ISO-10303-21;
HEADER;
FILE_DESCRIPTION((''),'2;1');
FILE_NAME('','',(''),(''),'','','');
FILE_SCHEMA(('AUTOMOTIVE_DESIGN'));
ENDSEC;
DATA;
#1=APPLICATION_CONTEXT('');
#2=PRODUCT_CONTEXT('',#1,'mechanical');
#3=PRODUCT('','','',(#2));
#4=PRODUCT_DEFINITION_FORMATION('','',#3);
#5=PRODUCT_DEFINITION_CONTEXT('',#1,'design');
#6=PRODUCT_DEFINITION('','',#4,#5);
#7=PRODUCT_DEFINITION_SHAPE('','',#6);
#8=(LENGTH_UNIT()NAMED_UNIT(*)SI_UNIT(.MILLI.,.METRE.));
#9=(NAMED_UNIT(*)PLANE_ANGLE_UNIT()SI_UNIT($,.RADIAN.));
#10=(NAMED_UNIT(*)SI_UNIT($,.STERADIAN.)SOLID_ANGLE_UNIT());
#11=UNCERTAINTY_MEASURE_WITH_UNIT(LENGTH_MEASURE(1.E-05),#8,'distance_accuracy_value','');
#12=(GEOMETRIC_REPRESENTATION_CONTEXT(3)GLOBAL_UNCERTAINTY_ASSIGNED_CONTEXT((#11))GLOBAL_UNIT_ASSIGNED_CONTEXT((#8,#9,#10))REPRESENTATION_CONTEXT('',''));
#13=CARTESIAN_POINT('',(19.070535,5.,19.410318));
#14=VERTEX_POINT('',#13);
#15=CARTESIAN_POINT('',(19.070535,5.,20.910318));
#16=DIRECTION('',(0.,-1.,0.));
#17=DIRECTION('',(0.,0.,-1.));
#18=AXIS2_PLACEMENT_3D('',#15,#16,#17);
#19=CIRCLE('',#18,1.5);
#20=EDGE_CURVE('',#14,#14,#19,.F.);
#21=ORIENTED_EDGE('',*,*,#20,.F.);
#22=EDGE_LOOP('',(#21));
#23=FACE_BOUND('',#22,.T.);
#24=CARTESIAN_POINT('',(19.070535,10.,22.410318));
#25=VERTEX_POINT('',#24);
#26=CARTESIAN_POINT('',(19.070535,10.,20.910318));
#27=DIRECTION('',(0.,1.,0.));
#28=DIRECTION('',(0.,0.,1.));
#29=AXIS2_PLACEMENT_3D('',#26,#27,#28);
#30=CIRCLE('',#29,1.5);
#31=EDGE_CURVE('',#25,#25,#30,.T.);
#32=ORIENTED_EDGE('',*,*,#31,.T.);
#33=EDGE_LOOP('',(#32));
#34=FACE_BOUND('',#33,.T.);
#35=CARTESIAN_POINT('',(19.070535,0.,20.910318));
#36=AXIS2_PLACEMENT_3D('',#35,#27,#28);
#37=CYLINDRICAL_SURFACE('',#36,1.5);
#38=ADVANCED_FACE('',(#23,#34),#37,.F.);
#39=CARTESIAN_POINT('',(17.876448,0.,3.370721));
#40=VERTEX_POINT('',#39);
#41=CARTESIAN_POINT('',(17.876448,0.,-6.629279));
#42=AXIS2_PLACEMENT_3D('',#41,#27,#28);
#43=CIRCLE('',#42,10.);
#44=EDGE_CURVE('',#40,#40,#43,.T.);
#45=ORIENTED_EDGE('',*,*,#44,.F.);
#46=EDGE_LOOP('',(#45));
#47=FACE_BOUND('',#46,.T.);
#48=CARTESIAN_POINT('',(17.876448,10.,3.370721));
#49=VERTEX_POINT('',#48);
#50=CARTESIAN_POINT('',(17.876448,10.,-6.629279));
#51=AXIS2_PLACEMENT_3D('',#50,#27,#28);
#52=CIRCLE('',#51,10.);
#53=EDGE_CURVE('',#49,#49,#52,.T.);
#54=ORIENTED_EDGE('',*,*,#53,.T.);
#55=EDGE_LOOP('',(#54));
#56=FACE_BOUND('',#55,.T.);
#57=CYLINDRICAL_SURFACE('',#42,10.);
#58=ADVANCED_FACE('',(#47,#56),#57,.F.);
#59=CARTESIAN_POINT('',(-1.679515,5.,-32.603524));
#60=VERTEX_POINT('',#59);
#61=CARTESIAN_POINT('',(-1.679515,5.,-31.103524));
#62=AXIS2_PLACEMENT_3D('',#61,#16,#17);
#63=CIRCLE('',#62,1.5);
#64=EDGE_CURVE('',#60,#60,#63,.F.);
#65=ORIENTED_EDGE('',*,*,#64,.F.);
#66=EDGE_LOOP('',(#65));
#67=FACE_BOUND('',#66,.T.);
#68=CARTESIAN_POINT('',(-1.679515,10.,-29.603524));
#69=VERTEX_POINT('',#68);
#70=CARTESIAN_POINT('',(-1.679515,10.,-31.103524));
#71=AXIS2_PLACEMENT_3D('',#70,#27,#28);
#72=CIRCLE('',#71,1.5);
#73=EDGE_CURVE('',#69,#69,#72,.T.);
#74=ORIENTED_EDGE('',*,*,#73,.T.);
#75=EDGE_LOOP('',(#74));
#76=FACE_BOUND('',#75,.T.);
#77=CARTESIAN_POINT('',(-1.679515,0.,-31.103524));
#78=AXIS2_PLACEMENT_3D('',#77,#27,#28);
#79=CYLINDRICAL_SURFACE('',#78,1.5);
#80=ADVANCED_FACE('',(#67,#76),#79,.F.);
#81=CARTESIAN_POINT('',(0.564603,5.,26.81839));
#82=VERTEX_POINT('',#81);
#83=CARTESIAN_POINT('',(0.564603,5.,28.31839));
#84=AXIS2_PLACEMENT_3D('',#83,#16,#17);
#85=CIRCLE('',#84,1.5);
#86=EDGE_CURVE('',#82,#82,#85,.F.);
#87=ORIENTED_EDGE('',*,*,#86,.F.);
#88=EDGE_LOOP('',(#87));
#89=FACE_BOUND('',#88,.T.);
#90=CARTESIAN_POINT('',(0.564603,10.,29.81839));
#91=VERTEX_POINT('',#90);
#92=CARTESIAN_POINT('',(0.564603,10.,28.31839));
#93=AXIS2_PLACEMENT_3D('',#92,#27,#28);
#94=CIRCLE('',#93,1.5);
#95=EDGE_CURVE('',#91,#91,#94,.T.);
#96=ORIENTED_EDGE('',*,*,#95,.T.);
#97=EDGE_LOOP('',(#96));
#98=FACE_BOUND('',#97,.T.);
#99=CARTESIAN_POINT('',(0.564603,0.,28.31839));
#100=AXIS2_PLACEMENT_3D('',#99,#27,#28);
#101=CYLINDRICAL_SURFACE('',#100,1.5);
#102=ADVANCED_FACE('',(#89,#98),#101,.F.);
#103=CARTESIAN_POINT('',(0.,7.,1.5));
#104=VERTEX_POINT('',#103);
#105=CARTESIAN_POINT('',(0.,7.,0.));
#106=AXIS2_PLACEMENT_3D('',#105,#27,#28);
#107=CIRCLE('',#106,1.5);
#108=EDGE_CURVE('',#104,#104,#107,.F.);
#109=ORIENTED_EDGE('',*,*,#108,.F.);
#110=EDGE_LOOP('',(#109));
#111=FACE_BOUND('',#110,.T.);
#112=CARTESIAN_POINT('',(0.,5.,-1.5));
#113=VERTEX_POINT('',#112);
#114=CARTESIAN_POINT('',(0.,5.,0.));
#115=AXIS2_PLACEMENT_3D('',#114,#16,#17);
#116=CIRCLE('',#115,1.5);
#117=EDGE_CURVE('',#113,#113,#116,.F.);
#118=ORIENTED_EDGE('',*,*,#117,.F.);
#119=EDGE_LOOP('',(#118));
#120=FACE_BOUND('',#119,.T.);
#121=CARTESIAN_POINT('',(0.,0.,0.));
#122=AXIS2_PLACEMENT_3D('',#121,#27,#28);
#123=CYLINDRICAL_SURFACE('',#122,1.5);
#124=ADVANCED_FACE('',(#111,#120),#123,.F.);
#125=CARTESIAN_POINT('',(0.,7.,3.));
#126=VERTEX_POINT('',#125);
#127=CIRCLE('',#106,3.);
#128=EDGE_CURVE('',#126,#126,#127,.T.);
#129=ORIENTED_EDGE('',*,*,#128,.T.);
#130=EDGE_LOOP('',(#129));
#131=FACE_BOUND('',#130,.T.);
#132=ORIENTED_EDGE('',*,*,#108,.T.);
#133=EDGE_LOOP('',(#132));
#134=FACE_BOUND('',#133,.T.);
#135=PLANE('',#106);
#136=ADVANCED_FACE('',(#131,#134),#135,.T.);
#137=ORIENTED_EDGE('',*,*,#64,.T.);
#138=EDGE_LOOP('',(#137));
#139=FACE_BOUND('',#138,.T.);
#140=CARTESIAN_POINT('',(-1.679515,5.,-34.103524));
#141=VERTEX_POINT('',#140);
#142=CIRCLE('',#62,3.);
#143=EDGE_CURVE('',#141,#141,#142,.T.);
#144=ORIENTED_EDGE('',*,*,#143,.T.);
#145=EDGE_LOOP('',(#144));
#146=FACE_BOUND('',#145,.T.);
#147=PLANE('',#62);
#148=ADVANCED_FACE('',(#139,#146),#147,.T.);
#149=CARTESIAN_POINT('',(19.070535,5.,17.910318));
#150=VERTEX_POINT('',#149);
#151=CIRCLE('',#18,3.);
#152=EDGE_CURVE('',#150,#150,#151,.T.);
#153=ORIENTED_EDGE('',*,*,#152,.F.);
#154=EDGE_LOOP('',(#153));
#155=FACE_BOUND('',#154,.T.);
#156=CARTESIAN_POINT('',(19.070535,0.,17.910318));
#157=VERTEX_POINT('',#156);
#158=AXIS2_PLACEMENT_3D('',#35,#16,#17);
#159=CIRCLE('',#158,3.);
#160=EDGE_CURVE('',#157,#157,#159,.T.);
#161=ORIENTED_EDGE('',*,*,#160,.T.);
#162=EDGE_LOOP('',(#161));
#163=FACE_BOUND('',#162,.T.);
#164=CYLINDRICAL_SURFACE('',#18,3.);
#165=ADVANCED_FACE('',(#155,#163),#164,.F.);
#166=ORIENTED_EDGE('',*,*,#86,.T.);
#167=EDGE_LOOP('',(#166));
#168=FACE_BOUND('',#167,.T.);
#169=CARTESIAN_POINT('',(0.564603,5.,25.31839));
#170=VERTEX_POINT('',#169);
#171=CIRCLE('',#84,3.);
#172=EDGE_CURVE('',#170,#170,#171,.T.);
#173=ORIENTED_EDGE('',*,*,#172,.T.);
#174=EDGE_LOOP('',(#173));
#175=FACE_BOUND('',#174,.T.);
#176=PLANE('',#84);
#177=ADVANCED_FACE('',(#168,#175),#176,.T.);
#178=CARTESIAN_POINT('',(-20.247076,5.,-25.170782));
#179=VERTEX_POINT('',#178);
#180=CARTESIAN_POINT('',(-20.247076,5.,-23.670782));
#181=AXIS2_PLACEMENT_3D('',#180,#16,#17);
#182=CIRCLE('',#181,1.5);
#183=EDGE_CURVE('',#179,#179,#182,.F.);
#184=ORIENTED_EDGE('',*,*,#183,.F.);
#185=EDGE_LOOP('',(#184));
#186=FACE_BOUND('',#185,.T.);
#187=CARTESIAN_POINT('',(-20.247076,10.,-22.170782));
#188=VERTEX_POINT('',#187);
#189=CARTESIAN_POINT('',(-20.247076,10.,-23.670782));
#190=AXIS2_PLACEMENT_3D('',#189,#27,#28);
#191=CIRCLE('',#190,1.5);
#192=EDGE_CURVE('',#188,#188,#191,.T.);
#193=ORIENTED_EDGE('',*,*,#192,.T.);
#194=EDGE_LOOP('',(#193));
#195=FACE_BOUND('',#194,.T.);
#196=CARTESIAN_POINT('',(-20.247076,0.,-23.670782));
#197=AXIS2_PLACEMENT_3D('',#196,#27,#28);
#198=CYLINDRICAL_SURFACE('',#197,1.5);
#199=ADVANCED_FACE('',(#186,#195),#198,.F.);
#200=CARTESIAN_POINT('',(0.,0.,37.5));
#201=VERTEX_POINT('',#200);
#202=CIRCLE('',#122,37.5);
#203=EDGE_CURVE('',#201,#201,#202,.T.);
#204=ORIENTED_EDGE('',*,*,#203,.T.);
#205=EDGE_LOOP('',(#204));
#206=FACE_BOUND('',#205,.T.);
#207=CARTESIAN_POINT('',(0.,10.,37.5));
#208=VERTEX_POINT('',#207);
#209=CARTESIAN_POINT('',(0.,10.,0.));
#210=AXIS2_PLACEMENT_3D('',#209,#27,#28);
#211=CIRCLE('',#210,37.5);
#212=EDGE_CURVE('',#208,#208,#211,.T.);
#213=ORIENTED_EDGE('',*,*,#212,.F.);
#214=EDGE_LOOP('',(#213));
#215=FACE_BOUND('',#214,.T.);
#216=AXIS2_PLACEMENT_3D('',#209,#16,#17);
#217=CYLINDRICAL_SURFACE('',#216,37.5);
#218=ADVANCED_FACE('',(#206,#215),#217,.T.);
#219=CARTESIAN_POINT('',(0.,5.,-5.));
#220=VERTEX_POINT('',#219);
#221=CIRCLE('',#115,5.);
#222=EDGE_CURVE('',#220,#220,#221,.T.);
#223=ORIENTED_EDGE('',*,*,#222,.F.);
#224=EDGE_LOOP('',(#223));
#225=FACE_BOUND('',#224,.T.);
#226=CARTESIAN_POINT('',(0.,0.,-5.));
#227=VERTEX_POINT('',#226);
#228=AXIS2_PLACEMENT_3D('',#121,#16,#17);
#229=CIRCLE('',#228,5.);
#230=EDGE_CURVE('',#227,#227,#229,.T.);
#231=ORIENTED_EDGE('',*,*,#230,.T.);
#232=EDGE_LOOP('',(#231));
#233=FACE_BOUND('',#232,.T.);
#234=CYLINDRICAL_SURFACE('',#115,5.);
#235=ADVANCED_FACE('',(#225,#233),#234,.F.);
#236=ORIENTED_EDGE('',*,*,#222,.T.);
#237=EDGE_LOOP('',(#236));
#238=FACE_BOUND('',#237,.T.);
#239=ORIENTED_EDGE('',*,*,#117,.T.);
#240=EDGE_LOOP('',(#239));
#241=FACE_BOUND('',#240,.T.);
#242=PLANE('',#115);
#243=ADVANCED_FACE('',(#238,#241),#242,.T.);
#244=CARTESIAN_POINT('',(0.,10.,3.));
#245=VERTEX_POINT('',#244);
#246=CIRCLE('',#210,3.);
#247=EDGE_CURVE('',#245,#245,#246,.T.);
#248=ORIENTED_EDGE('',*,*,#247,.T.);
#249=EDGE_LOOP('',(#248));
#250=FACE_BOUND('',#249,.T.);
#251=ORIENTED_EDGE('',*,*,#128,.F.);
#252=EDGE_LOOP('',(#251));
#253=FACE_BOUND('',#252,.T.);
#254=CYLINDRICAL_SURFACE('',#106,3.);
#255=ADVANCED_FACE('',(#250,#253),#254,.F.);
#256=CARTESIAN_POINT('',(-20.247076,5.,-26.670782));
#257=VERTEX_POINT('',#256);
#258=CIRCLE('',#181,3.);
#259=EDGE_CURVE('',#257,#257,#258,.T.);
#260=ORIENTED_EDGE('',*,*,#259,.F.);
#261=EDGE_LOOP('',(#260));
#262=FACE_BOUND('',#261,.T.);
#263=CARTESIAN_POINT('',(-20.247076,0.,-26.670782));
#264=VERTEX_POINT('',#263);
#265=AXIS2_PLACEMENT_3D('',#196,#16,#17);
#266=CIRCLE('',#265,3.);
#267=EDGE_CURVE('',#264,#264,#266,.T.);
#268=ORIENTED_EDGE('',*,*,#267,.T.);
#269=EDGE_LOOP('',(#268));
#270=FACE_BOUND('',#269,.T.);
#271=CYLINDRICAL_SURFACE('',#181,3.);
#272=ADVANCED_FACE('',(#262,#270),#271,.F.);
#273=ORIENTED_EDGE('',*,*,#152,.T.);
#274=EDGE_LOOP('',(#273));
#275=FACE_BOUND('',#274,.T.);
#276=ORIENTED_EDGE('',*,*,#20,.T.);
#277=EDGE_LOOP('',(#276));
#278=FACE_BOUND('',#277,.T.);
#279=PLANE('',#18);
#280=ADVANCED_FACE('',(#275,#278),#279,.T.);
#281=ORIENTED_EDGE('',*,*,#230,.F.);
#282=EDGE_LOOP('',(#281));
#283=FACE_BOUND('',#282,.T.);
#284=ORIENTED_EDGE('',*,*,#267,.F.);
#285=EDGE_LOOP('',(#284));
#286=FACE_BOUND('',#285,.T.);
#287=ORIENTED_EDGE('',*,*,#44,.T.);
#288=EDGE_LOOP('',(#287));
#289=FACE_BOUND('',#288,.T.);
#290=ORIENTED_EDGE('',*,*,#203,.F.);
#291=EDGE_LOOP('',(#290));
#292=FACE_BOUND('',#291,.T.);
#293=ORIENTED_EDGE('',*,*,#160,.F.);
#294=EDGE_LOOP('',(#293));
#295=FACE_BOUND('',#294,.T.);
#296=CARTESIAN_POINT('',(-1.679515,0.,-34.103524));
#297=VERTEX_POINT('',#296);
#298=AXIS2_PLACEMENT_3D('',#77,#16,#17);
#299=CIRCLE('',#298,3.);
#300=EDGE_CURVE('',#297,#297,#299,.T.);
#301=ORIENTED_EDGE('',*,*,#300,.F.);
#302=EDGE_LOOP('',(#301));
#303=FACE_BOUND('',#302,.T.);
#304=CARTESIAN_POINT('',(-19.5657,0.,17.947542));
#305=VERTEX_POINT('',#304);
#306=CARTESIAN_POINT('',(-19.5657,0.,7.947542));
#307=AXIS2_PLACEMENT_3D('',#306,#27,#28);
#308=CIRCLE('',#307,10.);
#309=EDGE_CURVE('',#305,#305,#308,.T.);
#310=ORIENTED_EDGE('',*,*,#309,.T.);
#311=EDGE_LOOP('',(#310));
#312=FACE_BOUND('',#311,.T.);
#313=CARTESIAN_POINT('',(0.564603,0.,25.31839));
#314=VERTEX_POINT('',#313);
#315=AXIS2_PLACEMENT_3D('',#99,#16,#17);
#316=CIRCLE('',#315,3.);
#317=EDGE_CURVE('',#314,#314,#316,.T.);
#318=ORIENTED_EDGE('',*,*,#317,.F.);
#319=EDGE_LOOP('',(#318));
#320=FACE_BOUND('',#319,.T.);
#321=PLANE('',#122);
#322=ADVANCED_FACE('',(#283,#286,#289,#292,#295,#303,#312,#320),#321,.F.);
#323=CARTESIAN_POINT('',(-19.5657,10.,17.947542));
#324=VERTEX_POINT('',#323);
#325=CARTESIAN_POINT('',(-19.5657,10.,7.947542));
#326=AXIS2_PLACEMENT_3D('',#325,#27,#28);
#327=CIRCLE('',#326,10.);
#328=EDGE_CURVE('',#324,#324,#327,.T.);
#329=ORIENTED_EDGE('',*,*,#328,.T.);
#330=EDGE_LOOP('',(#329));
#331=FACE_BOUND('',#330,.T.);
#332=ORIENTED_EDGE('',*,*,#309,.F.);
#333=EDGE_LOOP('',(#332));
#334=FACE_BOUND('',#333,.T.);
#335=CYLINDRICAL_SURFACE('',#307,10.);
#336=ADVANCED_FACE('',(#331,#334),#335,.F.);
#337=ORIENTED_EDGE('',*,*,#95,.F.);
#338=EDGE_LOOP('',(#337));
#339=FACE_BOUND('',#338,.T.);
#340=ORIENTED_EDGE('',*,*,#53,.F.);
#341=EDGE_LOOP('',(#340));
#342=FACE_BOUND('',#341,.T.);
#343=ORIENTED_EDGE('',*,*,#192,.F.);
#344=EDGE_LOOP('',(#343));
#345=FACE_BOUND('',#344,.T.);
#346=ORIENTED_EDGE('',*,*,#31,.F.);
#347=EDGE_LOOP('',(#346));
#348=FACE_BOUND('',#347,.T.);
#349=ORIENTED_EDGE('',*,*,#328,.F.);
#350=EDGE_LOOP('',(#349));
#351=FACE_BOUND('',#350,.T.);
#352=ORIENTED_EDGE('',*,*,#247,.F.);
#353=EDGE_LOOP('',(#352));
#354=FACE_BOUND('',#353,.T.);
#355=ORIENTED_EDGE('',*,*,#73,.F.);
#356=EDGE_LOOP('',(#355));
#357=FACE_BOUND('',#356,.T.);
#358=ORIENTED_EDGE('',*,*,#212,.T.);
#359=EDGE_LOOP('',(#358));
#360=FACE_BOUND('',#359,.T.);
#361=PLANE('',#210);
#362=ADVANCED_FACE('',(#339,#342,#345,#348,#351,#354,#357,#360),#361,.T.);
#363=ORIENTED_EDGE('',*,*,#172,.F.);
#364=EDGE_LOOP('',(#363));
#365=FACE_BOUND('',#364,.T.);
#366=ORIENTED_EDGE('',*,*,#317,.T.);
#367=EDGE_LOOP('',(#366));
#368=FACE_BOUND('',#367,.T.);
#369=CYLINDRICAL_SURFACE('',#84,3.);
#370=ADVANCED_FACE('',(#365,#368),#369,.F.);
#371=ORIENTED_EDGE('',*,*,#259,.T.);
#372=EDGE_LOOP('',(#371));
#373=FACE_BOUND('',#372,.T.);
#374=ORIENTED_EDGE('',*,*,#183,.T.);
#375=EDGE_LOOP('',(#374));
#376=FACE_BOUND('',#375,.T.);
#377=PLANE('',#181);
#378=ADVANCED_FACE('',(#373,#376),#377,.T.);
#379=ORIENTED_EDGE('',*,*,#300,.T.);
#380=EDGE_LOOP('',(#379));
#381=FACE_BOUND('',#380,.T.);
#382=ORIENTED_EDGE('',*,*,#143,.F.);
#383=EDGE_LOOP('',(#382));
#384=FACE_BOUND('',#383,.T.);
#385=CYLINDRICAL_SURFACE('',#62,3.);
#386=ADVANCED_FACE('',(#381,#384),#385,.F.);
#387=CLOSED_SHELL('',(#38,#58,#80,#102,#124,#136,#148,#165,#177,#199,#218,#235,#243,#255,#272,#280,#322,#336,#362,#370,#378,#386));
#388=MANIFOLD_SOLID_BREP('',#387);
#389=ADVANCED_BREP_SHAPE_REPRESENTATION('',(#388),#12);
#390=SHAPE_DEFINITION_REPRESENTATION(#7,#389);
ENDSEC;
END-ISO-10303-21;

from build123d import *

# Parameters (mm, degrees)
SKETCH1_R           = 37.5
BOSS_EXTRUDE1_DEPTH = 10
SKETCH3_R           = 1.5
CUT_EXTRUDE3_DEPTH  = 54.967582862
SKETCH4_R           = 5
CUT_EXTRUDE4_DEPTH  = 5
SKETCH5_R           = 1.5
CUT_EXTRUDE5_DEPTH  = 54.967582862
SKETCH6_R           = 3
CUT_EXTRUDE6_DEPTH  = 5
SKETCH8_R           = 3
CUT_EXTRUDE7_DEPTH  = 3
SKETCH9_R           = 10
CUT_EXTRUDE8_DEPTH  = 54.967582862


with BuildPart() as part:
    # Sketch1 → Boss-Extrude1 (new body)
    with BuildSketch(Plane(origin=(0, 0, 0), x_dir=(1, 0, 0), z_dir=(0, 1, 0))):
        with Locations(Location((0, 0, 0), (0, 0, 270))):
            Circle(SKETCH1_R)
    extrude(amount=BOSS_EXTRUDE1_DEPTH)

    # Sketch3 → Cut-Extrude3 (cut, through all)
    with BuildSketch(Plane(origin=(0, 10, 0), x_dir=(1, 0, 0), z_dir=(0, 1, 0))):
        with Locations(Location((0, 0, 0), (0, 0, 270))):
            Circle(SKETCH3_R)
    extrude(amount=-CUT_EXTRUDE3_DEPTH, mode=Mode.SUBTRACT)

    # Sketch4 → Cut-Extrude4 (cut)
    with BuildSketch(Plane.XZ):
        with Locations(Location((0, 0, 0), (0, 0, 270))):
            Circle(SKETCH4_R)
    extrude(amount=-CUT_EXTRUDE4_DEPTH, mode=Mode.SUBTRACT)

    # Sketch5 → Cut-Extrude5 (cut, through all)
    with BuildSketch(Plane(origin=(0, 10, 0), x_dir=(1, 0, 0), z_dir=(0, 1, 0))):
        with BuildLine():
            ThreePointArc((-18.854509148, 24.228237343), (-21.625950603, 24.261294568), (-19.689620544, 22.278214534))
            Line((-19.689620544, 22.278214534), (-20.247076251, 23.670781637))
            Line((-20.247076251, 23.670781637), (-18.854509148, 24.228237343))
        make_face()
        with BuildLine():
            Line((-20.247076251, 23.670781637), (-19.689620544, 22.278214534))
            ThreePointArc((-19.689620544, 22.278214534), (-19.004863797, 22.830003295), (-18.747076251, 23.670781637))
            ThreePointArc((-18.747076251, 23.670781637), (-18.774179334, 23.954638419), (-18.854509148, 24.228237343))
            Line((-18.854509148, 24.228237343), (-20.247076251, 23.670781637))
        make_face()
        with BuildLine():
            ThreePointArc((-3.072081987, 30.546068688), (-2.270027815, 29.724650042), (-1.122059178, 29.710957292))
            Line((-1.122059178, 29.710957292), (-1.679514884, 31.103524394))
            Line((-1.679514884, 31.103524394), (-3.072081987, 30.546068688))
        make_face()
        with BuildLine():
            Line((-1.679514884, 31.103524394), (-1.122059178, 29.710957292))
            ThreePointArc((-1.122059178, 29.710957292), (-0.437302431, 30.262746053), (-0.179514884, 31.103524394))
            ThreePointArc((-0.179514884, 31.103524394), (-1.963371667, 32.576421311), (-3.072081987, 30.546068688))
            Line((-3.072081987, 30.546068688), (-1.679514884, 31.103524394))
        make_face()
        with Locations(Location((19.070534713, -20.910318461, 0), (0, 0, 270))):
            Circle(SKETCH5_R)
        with Locations(Location((0.564603471, -28.318390189, 0), (0, 0, 270))):
            Circle(SKETCH5_R)
    extrude(amount=-CUT_EXTRUDE5_DEPTH, mode=Mode.SUBTRACT)

    # Sketch6 → Cut-Extrude6 (cut)
    with BuildSketch(Plane.XZ):
        with Locations(Location((19.070534713, 20.910318461, 0), (0, 0, 270))):
            Circle(SKETCH6_R)
        with Locations(Location((0.564603471, 28.318390189, 0), (0, 0, 270))):
            Circle(SKETCH6_R)
        with Locations(Location((-1.679514884, -31.103524394, 0), (0, 0, 270))):
            Circle(SKETCH6_R)
        with Locations(Location((-20.247076251, -23.670781637, 0), (0, 0, 270))):
            Circle(SKETCH6_R)
    extrude(amount=-CUT_EXTRUDE6_DEPTH, mode=Mode.SUBTRACT)

    # Sketch8 → Cut-Extrude7 (cut)
    with BuildSketch(Plane(origin=(0, 10, 0), x_dir=(1, 0, 0), z_dir=(0, 1, 0))):
        with Locations(Location((0, 0, 0), (0, 0, 270))):
            Circle(SKETCH8_R)
    extrude(amount=-CUT_EXTRUDE7_DEPTH, mode=Mode.SUBTRACT)

    # Sketch9 → Cut-Extrude8 (cut, through all)
    with BuildSketch(Plane(origin=(0, 10, 0), x_dir=(1, 0, 0), z_dir=(0, 1, 0))):
        with Locations(Location((17.876448336, 6.629278922, 0), (0, 0, 270))):
            Circle(SKETCH9_R)
        with Locations(Location((-19.565700474, -7.94754173, 0), (0, 0, 270))):
            Circle(SKETCH9_R)
    extrude(amount=-CUT_EXTRUDE8_DEPTH, mode=Mode.SUBTRACT)


solid = part.part
